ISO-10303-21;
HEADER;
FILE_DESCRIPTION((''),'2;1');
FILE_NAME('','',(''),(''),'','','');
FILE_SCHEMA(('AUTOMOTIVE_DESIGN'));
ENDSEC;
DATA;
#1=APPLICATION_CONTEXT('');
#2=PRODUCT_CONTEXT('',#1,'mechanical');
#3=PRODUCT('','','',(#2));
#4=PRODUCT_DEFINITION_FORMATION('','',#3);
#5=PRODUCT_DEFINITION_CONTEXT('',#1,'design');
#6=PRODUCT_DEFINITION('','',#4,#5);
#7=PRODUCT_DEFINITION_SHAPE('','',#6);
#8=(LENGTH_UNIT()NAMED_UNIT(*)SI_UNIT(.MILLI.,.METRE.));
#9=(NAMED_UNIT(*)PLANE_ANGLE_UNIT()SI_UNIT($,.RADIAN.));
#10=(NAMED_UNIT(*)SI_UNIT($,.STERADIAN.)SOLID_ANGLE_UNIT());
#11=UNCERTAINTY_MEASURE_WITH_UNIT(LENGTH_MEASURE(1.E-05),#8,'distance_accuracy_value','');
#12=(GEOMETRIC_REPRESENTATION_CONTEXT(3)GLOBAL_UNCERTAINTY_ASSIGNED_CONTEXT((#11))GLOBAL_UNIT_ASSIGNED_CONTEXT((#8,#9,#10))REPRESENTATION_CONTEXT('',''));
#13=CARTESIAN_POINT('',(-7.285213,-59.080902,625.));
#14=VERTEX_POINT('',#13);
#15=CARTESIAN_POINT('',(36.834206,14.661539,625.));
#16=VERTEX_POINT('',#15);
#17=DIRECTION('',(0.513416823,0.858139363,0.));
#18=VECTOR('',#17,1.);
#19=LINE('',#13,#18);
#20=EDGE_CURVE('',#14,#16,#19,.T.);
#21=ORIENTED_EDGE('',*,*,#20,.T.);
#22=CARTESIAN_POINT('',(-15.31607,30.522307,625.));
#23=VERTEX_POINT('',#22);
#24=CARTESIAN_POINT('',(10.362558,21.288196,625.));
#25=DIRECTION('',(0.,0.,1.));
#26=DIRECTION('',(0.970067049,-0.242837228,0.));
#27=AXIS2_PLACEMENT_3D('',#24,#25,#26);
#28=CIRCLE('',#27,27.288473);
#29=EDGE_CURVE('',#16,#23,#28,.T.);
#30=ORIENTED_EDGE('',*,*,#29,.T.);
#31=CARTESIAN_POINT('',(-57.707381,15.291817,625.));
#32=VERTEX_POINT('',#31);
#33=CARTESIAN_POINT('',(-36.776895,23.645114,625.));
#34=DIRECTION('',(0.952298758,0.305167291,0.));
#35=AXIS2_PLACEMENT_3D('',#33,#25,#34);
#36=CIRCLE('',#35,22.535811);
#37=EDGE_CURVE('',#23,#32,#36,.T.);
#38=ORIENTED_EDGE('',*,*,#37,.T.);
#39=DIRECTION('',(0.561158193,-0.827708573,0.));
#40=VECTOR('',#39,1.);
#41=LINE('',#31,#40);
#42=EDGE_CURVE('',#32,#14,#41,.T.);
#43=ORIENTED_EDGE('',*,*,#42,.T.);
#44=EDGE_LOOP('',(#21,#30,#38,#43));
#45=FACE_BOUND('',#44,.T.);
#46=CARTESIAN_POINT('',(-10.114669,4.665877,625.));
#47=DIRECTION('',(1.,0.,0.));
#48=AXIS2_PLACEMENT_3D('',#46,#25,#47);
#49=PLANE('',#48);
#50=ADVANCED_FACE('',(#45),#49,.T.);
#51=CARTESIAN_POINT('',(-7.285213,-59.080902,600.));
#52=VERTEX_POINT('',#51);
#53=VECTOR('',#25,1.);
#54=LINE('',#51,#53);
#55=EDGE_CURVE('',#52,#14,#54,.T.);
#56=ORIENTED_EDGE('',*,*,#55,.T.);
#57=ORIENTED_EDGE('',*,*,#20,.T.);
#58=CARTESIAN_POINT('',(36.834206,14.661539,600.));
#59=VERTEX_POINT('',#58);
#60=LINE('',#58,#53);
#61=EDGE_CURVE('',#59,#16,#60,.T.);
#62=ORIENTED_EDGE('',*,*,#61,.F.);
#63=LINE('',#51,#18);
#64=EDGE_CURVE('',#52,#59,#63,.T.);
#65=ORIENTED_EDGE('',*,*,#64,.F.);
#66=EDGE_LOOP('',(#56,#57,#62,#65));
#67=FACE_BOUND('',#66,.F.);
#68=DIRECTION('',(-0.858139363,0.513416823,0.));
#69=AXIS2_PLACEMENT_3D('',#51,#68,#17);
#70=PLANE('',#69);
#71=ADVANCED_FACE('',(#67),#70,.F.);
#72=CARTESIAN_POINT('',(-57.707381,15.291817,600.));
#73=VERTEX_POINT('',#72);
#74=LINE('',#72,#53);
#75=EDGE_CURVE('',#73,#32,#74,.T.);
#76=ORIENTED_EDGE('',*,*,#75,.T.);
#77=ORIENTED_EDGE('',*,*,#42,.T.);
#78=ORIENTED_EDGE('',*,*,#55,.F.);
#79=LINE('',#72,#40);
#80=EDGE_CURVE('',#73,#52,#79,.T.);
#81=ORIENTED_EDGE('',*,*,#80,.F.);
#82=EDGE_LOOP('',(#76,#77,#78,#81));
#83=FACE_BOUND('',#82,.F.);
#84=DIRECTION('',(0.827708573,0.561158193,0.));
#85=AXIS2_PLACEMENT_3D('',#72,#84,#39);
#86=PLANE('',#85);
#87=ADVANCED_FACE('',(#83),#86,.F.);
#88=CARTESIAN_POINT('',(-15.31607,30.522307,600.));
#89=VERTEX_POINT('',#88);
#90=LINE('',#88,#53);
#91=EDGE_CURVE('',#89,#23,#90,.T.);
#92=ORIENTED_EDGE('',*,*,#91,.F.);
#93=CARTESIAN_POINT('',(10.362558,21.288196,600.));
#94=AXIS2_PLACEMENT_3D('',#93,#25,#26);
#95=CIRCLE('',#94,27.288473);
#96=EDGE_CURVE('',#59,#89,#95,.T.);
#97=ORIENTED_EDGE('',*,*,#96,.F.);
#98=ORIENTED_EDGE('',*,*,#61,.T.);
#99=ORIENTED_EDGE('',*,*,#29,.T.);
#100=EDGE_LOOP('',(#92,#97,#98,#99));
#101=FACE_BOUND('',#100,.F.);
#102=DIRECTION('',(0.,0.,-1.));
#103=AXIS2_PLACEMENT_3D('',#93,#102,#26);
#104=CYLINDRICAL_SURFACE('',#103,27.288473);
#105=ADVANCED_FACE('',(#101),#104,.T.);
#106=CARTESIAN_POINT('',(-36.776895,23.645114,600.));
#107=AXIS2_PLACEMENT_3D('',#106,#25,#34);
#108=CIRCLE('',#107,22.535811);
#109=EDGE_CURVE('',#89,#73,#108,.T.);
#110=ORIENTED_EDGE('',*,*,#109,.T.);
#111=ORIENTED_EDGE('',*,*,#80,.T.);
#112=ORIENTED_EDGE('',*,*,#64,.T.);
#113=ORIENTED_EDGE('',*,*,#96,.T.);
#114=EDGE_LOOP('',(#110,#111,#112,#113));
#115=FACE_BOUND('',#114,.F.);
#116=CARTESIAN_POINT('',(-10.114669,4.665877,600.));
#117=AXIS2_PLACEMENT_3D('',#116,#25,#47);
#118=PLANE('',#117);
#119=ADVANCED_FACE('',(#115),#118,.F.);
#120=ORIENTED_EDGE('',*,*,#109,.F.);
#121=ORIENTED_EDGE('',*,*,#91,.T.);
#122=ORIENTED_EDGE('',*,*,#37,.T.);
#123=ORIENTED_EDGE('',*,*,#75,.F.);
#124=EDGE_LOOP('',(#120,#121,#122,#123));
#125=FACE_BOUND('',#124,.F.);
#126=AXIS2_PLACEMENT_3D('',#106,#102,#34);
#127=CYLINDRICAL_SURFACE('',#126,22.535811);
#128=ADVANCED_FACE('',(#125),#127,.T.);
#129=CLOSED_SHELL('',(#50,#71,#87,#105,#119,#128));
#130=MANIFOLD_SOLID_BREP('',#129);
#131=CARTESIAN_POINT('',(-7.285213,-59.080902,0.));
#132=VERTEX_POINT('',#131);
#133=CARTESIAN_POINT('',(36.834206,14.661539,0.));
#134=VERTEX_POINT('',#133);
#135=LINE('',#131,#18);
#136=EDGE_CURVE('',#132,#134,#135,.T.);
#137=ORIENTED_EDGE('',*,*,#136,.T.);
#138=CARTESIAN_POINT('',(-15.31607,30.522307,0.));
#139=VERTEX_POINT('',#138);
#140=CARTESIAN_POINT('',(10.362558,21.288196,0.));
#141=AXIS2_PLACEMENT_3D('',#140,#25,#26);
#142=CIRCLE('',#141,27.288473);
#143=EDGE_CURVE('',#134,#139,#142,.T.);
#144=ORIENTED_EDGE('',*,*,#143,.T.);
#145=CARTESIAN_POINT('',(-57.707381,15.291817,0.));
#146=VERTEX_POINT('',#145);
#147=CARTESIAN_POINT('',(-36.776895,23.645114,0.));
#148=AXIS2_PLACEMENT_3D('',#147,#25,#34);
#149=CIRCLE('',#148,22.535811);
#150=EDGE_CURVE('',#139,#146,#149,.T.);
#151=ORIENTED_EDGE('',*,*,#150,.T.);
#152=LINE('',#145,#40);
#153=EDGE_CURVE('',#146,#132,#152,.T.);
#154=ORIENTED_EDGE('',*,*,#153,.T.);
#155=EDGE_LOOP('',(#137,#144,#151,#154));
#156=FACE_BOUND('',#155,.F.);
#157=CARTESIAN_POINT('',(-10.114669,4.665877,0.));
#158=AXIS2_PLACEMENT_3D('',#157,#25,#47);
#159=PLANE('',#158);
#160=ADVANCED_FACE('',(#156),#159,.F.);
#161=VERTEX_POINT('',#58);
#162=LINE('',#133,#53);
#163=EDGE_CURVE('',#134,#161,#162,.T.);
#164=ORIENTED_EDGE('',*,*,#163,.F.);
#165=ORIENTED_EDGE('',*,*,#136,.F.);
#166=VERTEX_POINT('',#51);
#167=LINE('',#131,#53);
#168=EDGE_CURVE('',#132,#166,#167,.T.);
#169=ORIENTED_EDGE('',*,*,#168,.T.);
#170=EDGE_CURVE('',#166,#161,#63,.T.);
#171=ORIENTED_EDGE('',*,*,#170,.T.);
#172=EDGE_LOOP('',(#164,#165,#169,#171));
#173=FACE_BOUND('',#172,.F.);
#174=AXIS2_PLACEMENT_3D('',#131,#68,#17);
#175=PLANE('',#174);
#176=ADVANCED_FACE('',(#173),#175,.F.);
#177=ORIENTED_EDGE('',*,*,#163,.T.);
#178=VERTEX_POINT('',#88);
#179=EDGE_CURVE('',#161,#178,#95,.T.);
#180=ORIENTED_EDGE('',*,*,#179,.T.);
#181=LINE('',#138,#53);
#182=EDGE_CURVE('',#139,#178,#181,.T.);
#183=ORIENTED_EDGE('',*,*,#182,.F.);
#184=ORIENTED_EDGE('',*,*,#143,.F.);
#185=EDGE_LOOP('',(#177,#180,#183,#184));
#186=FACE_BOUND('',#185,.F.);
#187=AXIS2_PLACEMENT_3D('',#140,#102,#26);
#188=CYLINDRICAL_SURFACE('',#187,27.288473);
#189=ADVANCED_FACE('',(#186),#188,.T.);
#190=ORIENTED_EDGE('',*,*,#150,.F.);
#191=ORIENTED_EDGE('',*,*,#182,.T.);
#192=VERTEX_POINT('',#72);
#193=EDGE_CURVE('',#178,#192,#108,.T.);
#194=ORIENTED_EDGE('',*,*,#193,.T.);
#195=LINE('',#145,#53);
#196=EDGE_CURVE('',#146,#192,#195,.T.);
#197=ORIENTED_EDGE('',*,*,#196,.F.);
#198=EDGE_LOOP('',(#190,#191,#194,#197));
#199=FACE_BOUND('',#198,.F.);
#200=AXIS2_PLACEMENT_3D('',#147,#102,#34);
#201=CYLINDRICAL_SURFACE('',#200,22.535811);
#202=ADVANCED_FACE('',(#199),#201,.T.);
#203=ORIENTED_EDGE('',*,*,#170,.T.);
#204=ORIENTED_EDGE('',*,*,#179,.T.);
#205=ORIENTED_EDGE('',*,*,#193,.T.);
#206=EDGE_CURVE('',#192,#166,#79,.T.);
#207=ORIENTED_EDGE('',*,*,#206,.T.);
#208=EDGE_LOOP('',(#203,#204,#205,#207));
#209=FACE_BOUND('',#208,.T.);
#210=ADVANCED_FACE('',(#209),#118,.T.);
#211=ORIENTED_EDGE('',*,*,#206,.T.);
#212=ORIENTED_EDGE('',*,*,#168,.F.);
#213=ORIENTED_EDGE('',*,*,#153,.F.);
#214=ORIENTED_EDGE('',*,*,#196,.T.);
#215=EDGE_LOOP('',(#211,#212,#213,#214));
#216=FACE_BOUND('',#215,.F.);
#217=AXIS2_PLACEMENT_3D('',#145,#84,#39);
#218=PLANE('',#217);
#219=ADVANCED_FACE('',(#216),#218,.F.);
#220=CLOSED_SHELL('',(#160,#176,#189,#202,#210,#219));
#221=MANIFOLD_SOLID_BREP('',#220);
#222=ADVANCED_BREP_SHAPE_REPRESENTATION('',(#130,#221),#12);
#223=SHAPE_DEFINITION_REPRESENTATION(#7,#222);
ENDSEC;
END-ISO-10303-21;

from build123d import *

# Parameters (mm, degrees)
F1_DEPTH = 600
F3_DEPTH = 25


with BuildPart() as f1:
    # F0 (on Top) → F1 (new body)
    with BuildSketch(Plane.XY):
        with BuildLine():
            ThreePointArc((-15.3160703834, 30.5223067463), (-44.3967558701, 44.8536153022), (-57.7073805034, 15.291816555))
            Line((-57.7073805034, 15.291816555), (-7.2852126323, -59.080902487))
            Line((-7.2852126323, -59.080902487), (36.8342064321, 14.661539346))
            ThreePointArc((36.8342064321, 14.661539346), (18.3028480979, 47.3959069356), (-15.3160703834, 30.5223067463))
        make_face()
        with BuildLine():
            ThreePointArc((-16.1090902984, 14.661539346), (-16.8918696214, 22.650886138), (-15.3160703834, 30.5223067463))
            ThreePointArc((-15.3160703834, 30.5223067463), (-14.2691999509, 22.5197557061), (-16.1090902984, 14.661539346))
        make_face(mode=Mode.SUBTRACT)
        with BuildLine():
            ThreePointArc((-16.1090902984, 14.661539346), (-14.2691999509, 22.5197557061), (-15.3160703834, 30.5223067463))
            ThreePointArc((-15.3160703834, 30.5223067463), (-16.8918696214, 22.650886138), (-16.1090902984, 14.661539346))
        make_face()
    extrude(amount=F1_DEPTH)


with BuildPart() as f3:
    # F2 (on face) → F3 (new body)
    with BuildSketch(Plane.XY.offset(600)):
        with BuildLine():
            Line((-57.7073805034, 15.291816555), (-7.2852126323, -59.080902487))
            Line((-7.2852126323, -59.080902487), (36.8342064321, 14.661539346))
            ThreePointArc((36.8342064321, 14.661539346), (18.3028480979, 47.3959069356), (-15.3160703834, 30.5223067463))
            ThreePointArc((-15.3160703834, 30.5223067463), (-44.3967558701, 44.8536153022), (-57.7073805034, 15.291816555))
        make_face()
    extrude(amount=F3_DEPTH)


solid = Compound([f1.part, f3.part])
